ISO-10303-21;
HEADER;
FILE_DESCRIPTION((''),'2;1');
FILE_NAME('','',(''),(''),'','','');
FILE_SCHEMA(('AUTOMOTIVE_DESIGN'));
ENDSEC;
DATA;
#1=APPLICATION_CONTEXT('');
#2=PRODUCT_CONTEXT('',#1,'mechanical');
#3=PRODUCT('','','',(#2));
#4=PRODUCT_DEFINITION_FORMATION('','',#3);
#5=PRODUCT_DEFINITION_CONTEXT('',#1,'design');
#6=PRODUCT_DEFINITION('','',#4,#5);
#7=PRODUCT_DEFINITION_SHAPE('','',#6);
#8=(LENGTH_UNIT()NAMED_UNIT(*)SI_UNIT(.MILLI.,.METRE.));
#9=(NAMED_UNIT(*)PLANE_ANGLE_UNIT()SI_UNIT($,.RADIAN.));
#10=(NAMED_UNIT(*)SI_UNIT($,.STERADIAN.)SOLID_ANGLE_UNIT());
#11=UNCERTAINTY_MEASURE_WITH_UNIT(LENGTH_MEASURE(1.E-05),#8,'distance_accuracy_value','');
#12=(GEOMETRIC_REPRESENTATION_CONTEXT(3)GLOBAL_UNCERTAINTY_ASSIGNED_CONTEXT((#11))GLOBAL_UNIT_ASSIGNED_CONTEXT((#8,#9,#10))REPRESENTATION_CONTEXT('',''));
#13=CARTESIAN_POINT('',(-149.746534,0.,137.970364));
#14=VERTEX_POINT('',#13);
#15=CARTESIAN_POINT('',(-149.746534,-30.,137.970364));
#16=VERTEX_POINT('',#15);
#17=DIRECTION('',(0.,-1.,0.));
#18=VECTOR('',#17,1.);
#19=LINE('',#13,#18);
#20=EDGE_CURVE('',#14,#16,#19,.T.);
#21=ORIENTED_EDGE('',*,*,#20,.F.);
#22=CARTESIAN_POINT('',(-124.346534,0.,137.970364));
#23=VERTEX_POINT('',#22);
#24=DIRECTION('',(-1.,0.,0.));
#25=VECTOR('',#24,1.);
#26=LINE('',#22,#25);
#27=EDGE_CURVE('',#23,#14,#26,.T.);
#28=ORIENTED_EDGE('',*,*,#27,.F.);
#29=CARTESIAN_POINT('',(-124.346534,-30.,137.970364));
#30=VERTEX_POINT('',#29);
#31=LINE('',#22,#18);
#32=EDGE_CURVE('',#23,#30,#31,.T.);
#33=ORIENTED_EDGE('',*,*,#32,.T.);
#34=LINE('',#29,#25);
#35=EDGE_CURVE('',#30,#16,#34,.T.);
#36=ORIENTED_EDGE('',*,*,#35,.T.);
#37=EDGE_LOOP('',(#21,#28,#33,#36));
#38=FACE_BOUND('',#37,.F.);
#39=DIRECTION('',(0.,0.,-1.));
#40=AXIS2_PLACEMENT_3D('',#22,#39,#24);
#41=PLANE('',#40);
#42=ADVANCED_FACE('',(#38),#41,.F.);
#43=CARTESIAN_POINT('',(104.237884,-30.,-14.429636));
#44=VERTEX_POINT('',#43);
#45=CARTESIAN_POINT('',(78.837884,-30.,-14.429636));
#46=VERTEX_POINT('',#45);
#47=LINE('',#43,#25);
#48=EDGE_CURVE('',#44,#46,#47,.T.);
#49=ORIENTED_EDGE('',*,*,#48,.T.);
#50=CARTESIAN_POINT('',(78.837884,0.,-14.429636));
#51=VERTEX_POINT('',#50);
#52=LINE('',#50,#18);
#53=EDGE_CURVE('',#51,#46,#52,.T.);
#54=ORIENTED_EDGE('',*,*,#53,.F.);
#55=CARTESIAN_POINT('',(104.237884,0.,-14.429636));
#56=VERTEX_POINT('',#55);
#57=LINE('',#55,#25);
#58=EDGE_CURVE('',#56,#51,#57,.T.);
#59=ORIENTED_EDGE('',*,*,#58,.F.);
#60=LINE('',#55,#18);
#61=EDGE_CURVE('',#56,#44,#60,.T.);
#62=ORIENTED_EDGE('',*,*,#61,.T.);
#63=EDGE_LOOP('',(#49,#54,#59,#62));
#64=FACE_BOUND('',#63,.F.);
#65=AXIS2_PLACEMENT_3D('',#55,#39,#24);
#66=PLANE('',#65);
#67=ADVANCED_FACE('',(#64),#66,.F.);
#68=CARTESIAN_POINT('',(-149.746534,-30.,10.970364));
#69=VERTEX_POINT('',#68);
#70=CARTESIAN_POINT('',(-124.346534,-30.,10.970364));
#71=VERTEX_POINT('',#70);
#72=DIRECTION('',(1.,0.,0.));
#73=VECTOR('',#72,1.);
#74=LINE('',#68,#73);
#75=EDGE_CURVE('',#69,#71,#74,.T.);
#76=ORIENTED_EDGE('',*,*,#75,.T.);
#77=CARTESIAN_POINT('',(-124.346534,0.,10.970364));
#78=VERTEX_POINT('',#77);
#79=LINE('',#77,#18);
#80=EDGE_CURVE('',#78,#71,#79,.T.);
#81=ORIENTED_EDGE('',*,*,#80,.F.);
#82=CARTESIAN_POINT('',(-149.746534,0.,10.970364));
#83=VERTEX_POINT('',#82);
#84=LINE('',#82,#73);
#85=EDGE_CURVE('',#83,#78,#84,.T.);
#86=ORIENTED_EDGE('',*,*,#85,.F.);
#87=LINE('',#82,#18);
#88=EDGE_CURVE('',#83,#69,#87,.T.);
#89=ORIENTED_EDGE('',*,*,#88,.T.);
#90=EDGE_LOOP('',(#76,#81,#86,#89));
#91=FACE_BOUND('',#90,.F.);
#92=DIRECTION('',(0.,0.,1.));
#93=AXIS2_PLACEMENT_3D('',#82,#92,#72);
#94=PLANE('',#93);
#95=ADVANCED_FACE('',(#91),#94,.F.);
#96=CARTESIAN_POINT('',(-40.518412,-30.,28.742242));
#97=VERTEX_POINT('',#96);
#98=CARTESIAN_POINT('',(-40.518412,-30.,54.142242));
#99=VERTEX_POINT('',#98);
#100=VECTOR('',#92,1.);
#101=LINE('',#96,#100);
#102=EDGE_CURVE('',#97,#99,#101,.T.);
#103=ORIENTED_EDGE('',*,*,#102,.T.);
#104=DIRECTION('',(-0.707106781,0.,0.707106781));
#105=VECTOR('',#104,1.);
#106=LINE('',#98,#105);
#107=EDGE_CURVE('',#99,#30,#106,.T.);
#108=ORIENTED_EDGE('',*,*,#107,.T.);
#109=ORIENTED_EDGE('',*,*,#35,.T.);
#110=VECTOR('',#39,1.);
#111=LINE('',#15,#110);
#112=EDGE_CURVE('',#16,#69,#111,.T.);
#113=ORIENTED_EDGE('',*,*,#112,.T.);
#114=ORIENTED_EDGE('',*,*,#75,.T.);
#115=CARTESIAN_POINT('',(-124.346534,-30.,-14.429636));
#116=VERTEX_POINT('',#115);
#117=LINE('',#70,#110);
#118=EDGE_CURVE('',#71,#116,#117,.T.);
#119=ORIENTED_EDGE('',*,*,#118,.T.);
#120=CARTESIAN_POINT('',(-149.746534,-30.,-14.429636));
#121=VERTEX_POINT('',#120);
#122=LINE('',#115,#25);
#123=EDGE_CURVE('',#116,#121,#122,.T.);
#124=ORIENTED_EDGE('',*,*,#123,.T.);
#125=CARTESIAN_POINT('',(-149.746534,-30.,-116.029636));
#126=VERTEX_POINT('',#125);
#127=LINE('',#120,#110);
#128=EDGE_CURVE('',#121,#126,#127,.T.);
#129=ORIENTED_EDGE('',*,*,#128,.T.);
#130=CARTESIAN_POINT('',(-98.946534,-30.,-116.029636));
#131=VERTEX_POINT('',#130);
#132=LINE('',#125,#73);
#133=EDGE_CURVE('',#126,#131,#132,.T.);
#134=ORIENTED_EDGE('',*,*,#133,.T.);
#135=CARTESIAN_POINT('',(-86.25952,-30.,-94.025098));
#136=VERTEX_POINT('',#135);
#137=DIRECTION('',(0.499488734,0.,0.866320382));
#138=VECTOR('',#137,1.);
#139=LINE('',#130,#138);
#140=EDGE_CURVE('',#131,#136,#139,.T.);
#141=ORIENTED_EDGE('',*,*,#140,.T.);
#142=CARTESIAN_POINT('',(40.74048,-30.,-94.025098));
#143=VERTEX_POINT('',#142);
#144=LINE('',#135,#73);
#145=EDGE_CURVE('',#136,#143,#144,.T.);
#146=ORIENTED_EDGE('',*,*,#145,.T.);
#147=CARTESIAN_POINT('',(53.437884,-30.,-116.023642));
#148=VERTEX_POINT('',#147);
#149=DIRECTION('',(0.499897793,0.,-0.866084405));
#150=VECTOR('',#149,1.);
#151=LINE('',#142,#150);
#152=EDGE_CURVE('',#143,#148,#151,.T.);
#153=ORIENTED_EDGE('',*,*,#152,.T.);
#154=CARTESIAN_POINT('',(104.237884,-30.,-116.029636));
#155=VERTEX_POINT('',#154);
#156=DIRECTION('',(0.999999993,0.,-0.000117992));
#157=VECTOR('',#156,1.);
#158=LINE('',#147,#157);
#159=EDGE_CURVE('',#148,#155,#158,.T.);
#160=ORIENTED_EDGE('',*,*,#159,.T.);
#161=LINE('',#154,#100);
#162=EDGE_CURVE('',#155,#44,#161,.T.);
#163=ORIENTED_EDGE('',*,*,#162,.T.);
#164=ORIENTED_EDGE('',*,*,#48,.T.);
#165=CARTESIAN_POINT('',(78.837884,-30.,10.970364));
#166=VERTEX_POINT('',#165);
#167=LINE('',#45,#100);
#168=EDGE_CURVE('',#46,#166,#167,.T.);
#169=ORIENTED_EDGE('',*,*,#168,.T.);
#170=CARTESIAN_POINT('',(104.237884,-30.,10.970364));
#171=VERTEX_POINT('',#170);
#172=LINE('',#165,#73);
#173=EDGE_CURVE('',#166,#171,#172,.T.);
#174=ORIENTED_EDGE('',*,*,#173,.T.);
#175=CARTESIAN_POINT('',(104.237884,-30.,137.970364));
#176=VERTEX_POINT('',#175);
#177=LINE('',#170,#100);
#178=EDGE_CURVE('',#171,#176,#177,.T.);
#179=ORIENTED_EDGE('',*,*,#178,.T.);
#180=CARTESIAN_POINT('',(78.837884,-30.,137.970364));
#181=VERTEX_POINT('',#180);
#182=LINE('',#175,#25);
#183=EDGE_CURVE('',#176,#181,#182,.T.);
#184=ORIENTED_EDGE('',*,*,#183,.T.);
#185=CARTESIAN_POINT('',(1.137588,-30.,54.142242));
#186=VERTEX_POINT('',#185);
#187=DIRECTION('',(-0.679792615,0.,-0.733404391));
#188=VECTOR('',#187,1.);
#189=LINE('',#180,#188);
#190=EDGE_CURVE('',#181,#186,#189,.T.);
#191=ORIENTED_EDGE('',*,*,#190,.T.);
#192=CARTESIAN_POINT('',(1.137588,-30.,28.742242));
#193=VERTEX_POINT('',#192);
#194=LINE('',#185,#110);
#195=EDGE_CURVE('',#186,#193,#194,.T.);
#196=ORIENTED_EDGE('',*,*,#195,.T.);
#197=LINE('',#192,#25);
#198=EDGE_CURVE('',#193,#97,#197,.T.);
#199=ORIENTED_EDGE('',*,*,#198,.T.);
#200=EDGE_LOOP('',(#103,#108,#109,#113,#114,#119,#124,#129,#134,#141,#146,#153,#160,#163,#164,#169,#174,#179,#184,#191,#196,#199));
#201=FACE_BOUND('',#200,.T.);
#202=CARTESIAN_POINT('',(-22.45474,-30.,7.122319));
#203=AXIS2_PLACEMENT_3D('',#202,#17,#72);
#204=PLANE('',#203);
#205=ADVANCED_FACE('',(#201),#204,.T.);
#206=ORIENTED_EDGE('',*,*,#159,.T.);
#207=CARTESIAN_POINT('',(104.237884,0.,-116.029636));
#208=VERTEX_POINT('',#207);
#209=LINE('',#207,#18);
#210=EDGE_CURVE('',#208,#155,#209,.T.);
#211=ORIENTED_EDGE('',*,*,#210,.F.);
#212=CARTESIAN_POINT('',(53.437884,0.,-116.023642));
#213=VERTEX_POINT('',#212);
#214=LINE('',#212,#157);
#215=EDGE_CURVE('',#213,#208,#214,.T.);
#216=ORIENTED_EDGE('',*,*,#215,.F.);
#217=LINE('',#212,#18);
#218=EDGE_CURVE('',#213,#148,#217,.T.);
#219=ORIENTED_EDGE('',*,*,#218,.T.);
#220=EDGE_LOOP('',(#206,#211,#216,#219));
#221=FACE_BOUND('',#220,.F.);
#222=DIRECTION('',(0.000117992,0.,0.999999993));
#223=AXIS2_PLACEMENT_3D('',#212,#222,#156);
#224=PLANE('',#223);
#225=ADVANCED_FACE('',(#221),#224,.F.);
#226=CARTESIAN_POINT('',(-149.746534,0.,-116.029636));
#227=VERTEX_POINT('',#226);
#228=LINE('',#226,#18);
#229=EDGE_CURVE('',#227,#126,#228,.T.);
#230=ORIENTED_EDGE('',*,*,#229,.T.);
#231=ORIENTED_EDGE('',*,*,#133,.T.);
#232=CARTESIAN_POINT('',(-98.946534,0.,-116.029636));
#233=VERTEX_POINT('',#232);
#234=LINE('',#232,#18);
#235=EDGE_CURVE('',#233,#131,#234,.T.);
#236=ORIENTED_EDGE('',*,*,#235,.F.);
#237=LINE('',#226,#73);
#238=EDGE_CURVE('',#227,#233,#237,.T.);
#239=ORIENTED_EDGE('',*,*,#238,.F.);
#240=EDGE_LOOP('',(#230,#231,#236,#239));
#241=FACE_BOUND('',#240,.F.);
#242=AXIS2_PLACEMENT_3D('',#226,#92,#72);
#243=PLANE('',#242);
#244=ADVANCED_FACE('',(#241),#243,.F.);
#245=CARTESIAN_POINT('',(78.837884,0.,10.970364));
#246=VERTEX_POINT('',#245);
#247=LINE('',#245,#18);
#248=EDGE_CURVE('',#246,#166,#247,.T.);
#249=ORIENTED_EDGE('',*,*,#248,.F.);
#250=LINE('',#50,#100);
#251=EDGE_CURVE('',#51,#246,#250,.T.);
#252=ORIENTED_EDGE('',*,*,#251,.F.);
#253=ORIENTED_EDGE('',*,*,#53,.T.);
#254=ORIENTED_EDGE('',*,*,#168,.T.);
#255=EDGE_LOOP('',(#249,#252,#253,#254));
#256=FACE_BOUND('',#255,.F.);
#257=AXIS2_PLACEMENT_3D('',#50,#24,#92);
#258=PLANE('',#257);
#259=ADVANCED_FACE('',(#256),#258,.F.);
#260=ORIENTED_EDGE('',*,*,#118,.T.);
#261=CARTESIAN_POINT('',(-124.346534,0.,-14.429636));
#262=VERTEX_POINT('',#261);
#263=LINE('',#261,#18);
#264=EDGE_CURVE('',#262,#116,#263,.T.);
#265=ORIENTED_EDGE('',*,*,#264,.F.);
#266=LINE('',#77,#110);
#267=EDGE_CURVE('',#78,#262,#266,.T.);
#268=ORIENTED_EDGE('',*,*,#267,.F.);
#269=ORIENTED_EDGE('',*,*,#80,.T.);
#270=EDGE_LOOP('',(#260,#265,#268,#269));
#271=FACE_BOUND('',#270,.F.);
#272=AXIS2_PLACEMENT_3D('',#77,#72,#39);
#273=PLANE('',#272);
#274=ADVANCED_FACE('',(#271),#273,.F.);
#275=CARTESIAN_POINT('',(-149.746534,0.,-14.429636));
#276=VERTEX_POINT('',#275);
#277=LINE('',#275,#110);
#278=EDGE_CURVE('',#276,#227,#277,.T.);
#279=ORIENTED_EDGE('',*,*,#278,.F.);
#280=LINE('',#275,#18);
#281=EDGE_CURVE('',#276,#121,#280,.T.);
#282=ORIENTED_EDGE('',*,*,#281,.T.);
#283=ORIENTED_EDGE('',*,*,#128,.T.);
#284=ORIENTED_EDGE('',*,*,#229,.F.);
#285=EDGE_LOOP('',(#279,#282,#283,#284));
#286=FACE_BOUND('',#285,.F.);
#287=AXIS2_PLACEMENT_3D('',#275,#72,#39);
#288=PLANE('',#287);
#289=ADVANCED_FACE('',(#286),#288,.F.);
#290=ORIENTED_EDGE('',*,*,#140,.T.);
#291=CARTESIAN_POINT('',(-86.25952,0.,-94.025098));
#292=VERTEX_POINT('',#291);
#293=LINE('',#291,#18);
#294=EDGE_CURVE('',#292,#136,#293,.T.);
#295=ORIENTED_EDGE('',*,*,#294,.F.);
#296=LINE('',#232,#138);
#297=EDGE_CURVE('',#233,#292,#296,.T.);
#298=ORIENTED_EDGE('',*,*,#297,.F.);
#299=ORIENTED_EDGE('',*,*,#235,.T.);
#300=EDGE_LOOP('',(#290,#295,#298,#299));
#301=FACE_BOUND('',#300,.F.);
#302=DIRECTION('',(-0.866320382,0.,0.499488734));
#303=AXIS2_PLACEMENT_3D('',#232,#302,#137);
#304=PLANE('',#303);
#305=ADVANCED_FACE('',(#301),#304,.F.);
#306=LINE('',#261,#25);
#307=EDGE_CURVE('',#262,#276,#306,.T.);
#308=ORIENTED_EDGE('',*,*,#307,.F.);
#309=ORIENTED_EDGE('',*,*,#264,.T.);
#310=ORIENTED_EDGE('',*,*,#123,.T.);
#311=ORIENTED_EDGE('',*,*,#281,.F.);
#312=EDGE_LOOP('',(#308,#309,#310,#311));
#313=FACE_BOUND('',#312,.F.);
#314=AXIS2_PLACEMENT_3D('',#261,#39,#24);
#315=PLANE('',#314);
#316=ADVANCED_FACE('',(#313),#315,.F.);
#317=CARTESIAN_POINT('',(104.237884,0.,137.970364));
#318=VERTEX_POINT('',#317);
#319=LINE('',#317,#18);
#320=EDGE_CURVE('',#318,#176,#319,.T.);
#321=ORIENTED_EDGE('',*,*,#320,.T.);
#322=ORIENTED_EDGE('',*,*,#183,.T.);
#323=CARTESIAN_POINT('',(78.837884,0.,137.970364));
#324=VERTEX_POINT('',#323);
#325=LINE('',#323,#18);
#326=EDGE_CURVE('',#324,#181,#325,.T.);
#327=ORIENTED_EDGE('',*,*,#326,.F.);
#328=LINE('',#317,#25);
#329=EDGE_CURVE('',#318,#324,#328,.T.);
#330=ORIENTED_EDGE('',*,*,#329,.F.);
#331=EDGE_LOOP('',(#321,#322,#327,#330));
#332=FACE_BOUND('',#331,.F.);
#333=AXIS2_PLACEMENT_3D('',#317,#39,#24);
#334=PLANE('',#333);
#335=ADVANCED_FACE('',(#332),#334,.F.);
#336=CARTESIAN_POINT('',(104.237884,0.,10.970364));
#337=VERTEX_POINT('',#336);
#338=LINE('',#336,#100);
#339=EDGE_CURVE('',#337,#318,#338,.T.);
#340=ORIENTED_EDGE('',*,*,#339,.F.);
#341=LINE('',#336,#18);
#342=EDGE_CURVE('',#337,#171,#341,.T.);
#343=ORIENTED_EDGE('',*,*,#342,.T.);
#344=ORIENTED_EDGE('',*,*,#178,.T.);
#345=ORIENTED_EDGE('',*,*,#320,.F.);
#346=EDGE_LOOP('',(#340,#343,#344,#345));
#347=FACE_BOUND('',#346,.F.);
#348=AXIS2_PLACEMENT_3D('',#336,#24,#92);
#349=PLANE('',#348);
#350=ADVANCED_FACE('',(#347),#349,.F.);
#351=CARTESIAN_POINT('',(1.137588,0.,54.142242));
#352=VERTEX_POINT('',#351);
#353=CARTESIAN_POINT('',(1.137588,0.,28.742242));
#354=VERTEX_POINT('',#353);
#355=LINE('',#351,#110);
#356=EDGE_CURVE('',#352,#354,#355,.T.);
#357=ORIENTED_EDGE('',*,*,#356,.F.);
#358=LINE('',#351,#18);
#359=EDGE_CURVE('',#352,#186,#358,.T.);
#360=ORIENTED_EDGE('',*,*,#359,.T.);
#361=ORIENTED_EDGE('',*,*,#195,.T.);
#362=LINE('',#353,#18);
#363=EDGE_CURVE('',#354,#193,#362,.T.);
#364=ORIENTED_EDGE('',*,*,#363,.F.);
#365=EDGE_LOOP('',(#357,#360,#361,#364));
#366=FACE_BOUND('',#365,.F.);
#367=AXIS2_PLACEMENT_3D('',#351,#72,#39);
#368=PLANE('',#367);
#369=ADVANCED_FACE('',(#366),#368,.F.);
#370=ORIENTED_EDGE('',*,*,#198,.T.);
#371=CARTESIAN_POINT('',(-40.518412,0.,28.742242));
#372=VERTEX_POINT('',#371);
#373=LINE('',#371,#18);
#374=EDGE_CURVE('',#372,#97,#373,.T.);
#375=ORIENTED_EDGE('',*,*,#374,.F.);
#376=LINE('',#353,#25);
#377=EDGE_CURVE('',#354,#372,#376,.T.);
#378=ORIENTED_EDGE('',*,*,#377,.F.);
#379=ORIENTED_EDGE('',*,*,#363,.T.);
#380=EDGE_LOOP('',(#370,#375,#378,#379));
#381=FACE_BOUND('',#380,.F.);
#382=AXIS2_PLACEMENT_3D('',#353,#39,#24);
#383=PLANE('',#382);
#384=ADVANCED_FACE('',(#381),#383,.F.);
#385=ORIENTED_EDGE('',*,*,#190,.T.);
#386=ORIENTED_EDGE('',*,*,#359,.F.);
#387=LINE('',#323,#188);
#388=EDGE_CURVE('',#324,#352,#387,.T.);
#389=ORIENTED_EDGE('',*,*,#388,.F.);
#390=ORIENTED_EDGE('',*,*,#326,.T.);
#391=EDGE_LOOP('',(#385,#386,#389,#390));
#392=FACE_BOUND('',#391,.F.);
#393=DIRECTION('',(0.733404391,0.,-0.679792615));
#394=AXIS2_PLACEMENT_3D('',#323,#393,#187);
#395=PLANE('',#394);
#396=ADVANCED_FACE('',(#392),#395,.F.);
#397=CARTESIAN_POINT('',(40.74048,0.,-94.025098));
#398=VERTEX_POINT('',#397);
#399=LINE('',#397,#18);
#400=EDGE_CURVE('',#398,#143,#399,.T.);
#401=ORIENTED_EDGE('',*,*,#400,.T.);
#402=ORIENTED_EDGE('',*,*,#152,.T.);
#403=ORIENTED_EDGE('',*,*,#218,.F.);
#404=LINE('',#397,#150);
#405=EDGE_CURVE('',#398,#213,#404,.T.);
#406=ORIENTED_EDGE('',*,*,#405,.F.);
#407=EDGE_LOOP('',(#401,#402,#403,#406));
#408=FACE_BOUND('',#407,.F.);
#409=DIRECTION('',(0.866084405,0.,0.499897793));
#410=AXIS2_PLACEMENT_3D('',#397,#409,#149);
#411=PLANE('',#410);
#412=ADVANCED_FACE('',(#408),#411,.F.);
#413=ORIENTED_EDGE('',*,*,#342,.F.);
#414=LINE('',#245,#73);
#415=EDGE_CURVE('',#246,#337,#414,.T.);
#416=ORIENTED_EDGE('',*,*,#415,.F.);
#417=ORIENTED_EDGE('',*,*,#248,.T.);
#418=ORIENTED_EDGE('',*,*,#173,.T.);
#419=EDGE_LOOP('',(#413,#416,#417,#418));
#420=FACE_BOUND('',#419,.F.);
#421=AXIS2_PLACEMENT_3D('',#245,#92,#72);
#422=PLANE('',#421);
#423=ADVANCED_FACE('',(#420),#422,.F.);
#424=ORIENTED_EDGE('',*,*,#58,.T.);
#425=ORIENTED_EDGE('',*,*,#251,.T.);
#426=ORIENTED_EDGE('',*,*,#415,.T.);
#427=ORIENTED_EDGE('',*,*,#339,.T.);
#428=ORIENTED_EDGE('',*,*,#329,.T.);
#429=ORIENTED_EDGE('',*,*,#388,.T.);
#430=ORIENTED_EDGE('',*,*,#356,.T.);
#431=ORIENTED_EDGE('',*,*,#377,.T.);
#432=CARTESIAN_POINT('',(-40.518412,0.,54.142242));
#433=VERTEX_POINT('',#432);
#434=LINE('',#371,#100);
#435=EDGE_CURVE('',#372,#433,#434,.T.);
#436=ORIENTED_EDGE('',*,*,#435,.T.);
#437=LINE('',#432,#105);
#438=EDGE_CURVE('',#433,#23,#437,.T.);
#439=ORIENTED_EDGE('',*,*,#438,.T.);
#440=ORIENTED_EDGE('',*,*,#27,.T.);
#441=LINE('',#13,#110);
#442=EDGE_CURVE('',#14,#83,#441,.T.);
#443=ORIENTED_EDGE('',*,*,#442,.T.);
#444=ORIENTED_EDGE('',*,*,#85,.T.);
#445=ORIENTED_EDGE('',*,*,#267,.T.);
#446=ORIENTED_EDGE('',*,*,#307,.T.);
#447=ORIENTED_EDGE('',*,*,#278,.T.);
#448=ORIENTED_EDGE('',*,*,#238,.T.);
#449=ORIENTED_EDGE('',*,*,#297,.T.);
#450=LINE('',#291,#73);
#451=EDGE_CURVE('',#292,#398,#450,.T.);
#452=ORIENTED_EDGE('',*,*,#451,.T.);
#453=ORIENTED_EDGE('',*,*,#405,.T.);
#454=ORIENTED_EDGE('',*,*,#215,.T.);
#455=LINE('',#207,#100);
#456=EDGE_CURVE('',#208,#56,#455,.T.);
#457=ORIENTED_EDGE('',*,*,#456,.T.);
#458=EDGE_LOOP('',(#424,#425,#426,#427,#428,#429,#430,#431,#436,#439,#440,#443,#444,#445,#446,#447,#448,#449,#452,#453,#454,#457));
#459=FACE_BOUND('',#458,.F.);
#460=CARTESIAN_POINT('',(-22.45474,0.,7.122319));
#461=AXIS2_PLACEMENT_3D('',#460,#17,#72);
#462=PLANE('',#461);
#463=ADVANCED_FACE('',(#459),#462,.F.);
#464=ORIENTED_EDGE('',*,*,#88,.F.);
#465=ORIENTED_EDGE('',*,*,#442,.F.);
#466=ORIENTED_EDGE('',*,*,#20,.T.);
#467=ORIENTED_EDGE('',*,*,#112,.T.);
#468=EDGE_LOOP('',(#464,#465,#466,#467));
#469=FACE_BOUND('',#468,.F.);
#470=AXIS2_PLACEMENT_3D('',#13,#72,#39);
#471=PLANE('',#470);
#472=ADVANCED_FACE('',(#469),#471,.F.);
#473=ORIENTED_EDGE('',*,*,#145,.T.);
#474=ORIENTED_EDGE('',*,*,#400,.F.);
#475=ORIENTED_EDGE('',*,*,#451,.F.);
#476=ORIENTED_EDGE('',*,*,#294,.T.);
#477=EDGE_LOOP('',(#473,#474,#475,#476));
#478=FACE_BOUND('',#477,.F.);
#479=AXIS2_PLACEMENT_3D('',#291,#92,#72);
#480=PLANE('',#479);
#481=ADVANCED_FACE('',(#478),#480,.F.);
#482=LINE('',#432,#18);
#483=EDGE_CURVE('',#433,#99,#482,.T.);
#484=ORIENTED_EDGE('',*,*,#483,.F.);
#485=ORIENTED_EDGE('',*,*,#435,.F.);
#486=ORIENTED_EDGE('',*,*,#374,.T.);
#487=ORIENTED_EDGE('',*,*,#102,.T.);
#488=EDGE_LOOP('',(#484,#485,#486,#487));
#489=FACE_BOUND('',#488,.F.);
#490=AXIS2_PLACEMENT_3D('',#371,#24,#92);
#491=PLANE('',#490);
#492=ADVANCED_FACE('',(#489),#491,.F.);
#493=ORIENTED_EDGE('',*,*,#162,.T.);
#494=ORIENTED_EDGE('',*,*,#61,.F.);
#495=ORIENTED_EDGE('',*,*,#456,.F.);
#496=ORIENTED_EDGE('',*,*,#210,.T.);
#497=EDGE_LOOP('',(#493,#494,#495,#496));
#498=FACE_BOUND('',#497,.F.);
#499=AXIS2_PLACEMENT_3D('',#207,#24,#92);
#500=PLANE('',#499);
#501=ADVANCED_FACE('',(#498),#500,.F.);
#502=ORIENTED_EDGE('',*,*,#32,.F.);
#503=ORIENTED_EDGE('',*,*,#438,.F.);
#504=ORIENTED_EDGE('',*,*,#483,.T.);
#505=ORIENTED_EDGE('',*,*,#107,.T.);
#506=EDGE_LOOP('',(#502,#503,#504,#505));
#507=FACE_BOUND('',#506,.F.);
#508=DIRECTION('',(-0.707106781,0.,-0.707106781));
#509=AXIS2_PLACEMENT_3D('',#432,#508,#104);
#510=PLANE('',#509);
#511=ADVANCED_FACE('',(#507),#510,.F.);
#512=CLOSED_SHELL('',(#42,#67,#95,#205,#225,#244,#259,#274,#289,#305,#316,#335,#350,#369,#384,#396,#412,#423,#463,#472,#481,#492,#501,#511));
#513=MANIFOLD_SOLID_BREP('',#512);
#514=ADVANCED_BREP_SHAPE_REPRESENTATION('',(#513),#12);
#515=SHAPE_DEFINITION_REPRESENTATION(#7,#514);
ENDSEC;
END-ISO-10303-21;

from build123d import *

# Parameters (mm, degrees)
F1_DEPTH = 30


with BuildPart() as f1:
    # F0 (on Front) → F1 (new body)
    with BuildSketch(Plane.XZ):
        Polygon((-124.346534, 137.970364), (-149.746534, 137.970364), (-149.746534, 10.970364), (-124.346534, 10.970364), (-124.346534, -14.429636), (-149.746534, -14.429636), (-149.746534, -116.029636), (-98.946534, -116.029636), (-86.25952, -94.025098), (40.74048, -94.025098), (53.437884, -116.023642), (104.237884, -116.029636), (104.237884, -14.429636), (78.837884, -14.429636), (78.837884, 10.970364), (104.237884, 10.970364), (104.237884, 137.970364), (78.837884, 137.970364), (1.137588, 54.142242), (1.137588, 28.742242), (-40.518412, 28.742242), (-40.518412, 54.142242), align=None)
    extrude(amount=F1_DEPTH)


solid = f1.part
